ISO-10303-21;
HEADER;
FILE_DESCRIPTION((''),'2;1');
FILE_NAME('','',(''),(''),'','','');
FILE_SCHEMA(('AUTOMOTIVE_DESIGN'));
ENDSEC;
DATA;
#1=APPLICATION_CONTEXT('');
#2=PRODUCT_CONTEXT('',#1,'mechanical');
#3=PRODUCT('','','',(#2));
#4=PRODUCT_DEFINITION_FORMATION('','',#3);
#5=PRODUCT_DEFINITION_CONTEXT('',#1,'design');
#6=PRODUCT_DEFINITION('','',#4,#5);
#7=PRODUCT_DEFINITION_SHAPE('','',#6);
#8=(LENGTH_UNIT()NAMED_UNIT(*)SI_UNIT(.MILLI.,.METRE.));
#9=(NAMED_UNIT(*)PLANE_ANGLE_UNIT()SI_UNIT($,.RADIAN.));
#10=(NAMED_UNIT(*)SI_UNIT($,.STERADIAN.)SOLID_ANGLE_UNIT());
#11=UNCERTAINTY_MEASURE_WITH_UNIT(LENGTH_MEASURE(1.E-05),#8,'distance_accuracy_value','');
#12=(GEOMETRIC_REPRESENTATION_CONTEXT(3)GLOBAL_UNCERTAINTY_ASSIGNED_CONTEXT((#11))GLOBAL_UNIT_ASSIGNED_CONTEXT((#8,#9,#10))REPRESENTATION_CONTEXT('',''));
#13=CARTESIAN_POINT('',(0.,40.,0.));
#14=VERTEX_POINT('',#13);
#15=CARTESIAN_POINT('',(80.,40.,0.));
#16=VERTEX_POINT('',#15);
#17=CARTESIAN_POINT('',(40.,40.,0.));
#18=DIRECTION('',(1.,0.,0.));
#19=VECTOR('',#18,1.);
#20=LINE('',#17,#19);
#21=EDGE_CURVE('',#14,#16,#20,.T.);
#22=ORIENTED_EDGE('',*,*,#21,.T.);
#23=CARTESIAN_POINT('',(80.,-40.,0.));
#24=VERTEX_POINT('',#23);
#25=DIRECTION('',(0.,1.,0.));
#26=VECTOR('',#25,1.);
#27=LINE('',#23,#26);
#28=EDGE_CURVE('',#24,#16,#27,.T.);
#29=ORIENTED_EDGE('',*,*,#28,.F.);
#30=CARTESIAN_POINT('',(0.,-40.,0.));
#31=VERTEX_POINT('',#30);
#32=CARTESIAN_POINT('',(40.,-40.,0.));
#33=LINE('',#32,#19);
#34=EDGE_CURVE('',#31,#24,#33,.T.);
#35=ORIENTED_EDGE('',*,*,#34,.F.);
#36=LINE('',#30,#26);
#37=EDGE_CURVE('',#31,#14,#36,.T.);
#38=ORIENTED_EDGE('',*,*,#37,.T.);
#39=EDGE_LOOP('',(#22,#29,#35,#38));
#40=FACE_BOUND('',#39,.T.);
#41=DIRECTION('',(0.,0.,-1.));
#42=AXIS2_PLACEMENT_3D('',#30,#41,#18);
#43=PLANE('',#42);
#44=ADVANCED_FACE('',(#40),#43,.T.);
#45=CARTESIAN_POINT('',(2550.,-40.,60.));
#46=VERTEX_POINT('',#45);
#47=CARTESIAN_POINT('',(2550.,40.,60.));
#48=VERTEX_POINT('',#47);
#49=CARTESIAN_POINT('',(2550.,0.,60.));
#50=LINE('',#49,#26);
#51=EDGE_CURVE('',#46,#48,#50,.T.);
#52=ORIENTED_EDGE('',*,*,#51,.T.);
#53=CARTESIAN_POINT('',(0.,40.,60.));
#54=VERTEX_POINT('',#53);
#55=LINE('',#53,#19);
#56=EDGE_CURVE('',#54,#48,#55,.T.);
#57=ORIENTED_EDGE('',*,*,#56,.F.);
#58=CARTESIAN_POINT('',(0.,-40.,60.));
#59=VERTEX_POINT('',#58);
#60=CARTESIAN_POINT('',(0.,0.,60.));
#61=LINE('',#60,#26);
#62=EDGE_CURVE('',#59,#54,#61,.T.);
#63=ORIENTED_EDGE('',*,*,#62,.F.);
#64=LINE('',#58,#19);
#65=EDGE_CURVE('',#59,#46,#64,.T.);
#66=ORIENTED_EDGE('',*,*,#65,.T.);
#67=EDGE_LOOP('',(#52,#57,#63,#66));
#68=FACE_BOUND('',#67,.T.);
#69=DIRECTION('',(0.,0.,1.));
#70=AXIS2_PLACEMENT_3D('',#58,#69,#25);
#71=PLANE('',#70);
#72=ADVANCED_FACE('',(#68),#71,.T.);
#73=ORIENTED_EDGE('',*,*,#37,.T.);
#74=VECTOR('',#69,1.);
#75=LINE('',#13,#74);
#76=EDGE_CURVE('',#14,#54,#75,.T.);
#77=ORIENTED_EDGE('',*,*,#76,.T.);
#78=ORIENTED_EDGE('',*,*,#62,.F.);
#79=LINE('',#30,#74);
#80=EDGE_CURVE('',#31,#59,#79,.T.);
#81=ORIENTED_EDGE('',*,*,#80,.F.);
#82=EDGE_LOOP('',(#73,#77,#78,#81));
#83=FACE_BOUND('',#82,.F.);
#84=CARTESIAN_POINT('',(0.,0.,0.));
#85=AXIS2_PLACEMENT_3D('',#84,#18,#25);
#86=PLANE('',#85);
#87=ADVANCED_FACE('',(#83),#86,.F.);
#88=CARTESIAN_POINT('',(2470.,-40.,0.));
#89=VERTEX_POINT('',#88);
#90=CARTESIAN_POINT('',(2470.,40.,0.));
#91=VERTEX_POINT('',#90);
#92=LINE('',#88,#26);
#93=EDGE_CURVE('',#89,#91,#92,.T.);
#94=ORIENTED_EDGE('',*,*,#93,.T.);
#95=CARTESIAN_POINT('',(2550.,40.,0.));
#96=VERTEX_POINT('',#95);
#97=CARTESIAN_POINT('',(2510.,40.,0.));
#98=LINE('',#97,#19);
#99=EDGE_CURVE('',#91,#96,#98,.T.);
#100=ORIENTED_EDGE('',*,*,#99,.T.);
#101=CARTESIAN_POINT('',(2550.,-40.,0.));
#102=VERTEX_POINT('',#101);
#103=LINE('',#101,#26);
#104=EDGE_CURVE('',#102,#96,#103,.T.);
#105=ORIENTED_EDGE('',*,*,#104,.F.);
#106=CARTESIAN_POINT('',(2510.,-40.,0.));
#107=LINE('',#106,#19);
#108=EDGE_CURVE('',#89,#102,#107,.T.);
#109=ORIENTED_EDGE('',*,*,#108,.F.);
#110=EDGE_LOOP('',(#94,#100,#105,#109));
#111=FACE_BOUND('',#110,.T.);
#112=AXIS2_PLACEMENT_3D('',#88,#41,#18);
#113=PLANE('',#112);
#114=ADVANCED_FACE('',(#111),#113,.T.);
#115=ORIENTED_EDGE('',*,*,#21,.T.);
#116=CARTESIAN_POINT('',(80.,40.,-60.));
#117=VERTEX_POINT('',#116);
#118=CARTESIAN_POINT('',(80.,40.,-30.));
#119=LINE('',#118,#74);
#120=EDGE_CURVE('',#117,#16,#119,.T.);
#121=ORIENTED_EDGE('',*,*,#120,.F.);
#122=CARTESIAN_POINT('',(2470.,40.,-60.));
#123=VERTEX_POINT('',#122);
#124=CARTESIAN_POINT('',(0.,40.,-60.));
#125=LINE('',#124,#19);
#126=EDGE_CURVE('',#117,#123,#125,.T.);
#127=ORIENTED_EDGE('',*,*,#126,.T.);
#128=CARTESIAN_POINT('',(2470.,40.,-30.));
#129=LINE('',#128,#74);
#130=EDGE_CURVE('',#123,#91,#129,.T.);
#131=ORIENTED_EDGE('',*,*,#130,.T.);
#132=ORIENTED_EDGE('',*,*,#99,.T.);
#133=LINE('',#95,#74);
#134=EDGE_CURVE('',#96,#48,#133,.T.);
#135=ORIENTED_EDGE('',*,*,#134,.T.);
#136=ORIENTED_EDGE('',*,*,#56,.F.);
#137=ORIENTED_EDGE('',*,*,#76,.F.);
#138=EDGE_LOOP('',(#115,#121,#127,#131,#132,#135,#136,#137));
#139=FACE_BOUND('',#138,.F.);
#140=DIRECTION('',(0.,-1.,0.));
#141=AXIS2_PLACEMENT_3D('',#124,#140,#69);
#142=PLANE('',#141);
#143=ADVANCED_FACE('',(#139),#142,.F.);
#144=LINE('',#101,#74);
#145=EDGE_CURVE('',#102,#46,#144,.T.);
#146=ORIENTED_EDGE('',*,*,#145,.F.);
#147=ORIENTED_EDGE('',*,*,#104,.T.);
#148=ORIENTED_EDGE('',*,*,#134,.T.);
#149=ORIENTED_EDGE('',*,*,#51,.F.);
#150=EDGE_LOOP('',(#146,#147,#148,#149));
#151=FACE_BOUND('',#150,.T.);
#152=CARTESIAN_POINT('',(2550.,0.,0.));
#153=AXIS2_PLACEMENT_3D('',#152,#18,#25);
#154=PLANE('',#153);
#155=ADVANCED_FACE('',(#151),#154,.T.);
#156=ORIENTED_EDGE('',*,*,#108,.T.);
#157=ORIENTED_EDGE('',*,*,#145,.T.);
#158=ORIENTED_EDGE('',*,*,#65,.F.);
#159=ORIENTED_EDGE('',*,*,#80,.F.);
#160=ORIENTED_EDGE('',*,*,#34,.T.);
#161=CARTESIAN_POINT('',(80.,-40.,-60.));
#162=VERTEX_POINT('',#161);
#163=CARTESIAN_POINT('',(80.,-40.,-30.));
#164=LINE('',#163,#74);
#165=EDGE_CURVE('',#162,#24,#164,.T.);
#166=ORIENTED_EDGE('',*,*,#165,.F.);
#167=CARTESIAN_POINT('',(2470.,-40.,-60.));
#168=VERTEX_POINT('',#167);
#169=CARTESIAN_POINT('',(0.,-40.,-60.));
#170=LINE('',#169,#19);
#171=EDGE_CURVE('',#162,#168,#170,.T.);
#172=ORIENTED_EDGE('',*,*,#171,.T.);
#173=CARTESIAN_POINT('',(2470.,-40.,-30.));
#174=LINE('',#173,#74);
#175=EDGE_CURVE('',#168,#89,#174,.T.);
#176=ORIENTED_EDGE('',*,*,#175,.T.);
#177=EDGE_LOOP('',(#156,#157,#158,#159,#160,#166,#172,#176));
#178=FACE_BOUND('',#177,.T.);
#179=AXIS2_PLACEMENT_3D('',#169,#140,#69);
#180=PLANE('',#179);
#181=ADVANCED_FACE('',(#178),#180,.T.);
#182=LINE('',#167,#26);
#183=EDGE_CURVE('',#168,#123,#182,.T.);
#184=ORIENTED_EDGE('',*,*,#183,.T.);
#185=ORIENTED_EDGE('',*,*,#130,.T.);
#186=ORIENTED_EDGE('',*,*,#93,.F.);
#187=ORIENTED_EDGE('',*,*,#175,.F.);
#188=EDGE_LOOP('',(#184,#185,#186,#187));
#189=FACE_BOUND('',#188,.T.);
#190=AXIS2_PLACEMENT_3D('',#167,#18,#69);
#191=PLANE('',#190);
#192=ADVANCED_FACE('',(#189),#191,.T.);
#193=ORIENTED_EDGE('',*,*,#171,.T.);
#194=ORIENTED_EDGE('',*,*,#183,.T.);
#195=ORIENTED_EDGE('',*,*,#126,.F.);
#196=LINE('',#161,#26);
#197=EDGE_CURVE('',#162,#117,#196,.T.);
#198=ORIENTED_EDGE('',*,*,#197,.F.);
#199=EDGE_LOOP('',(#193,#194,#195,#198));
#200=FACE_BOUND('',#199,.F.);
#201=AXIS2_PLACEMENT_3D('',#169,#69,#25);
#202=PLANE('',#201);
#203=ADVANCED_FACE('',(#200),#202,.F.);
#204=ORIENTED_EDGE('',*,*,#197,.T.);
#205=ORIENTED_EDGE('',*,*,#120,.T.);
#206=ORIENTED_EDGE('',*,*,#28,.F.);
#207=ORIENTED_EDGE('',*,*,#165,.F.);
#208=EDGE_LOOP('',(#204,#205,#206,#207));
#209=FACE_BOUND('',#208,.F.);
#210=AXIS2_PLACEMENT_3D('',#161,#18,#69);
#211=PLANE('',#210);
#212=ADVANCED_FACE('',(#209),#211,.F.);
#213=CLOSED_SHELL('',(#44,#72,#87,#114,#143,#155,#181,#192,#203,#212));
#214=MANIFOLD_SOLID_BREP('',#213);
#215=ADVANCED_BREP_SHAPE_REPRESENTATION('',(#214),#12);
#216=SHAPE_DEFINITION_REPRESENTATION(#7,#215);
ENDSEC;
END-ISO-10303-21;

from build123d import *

# Parameters (mm, degrees)
F0_W     = 80
F0_H     = 120
F1_DEPTH = 2550
F2_W     = 80
F2_H     = 60
F3_DEPTH = 80


with BuildPart() as f1:
    # F0 (on Right) → F1 (new body)
    with BuildSketch(Plane.YZ):
        Rectangle(F0_W, F0_H)
    extrude(amount=F1_DEPTH)

    # F2 (on face) → F3 (cut, through all)
    with BuildSketch(Plane.XZ.offset(40)):
        with Locations((2510, -30)):
            Rectangle(F2_W, F2_H)
        with Locations((40, -30)):
            Rectangle(F2_W, F2_H)
    extrude(amount=-F3_DEPTH, mode=Mode.SUBTRACT)


solid = f1.part
